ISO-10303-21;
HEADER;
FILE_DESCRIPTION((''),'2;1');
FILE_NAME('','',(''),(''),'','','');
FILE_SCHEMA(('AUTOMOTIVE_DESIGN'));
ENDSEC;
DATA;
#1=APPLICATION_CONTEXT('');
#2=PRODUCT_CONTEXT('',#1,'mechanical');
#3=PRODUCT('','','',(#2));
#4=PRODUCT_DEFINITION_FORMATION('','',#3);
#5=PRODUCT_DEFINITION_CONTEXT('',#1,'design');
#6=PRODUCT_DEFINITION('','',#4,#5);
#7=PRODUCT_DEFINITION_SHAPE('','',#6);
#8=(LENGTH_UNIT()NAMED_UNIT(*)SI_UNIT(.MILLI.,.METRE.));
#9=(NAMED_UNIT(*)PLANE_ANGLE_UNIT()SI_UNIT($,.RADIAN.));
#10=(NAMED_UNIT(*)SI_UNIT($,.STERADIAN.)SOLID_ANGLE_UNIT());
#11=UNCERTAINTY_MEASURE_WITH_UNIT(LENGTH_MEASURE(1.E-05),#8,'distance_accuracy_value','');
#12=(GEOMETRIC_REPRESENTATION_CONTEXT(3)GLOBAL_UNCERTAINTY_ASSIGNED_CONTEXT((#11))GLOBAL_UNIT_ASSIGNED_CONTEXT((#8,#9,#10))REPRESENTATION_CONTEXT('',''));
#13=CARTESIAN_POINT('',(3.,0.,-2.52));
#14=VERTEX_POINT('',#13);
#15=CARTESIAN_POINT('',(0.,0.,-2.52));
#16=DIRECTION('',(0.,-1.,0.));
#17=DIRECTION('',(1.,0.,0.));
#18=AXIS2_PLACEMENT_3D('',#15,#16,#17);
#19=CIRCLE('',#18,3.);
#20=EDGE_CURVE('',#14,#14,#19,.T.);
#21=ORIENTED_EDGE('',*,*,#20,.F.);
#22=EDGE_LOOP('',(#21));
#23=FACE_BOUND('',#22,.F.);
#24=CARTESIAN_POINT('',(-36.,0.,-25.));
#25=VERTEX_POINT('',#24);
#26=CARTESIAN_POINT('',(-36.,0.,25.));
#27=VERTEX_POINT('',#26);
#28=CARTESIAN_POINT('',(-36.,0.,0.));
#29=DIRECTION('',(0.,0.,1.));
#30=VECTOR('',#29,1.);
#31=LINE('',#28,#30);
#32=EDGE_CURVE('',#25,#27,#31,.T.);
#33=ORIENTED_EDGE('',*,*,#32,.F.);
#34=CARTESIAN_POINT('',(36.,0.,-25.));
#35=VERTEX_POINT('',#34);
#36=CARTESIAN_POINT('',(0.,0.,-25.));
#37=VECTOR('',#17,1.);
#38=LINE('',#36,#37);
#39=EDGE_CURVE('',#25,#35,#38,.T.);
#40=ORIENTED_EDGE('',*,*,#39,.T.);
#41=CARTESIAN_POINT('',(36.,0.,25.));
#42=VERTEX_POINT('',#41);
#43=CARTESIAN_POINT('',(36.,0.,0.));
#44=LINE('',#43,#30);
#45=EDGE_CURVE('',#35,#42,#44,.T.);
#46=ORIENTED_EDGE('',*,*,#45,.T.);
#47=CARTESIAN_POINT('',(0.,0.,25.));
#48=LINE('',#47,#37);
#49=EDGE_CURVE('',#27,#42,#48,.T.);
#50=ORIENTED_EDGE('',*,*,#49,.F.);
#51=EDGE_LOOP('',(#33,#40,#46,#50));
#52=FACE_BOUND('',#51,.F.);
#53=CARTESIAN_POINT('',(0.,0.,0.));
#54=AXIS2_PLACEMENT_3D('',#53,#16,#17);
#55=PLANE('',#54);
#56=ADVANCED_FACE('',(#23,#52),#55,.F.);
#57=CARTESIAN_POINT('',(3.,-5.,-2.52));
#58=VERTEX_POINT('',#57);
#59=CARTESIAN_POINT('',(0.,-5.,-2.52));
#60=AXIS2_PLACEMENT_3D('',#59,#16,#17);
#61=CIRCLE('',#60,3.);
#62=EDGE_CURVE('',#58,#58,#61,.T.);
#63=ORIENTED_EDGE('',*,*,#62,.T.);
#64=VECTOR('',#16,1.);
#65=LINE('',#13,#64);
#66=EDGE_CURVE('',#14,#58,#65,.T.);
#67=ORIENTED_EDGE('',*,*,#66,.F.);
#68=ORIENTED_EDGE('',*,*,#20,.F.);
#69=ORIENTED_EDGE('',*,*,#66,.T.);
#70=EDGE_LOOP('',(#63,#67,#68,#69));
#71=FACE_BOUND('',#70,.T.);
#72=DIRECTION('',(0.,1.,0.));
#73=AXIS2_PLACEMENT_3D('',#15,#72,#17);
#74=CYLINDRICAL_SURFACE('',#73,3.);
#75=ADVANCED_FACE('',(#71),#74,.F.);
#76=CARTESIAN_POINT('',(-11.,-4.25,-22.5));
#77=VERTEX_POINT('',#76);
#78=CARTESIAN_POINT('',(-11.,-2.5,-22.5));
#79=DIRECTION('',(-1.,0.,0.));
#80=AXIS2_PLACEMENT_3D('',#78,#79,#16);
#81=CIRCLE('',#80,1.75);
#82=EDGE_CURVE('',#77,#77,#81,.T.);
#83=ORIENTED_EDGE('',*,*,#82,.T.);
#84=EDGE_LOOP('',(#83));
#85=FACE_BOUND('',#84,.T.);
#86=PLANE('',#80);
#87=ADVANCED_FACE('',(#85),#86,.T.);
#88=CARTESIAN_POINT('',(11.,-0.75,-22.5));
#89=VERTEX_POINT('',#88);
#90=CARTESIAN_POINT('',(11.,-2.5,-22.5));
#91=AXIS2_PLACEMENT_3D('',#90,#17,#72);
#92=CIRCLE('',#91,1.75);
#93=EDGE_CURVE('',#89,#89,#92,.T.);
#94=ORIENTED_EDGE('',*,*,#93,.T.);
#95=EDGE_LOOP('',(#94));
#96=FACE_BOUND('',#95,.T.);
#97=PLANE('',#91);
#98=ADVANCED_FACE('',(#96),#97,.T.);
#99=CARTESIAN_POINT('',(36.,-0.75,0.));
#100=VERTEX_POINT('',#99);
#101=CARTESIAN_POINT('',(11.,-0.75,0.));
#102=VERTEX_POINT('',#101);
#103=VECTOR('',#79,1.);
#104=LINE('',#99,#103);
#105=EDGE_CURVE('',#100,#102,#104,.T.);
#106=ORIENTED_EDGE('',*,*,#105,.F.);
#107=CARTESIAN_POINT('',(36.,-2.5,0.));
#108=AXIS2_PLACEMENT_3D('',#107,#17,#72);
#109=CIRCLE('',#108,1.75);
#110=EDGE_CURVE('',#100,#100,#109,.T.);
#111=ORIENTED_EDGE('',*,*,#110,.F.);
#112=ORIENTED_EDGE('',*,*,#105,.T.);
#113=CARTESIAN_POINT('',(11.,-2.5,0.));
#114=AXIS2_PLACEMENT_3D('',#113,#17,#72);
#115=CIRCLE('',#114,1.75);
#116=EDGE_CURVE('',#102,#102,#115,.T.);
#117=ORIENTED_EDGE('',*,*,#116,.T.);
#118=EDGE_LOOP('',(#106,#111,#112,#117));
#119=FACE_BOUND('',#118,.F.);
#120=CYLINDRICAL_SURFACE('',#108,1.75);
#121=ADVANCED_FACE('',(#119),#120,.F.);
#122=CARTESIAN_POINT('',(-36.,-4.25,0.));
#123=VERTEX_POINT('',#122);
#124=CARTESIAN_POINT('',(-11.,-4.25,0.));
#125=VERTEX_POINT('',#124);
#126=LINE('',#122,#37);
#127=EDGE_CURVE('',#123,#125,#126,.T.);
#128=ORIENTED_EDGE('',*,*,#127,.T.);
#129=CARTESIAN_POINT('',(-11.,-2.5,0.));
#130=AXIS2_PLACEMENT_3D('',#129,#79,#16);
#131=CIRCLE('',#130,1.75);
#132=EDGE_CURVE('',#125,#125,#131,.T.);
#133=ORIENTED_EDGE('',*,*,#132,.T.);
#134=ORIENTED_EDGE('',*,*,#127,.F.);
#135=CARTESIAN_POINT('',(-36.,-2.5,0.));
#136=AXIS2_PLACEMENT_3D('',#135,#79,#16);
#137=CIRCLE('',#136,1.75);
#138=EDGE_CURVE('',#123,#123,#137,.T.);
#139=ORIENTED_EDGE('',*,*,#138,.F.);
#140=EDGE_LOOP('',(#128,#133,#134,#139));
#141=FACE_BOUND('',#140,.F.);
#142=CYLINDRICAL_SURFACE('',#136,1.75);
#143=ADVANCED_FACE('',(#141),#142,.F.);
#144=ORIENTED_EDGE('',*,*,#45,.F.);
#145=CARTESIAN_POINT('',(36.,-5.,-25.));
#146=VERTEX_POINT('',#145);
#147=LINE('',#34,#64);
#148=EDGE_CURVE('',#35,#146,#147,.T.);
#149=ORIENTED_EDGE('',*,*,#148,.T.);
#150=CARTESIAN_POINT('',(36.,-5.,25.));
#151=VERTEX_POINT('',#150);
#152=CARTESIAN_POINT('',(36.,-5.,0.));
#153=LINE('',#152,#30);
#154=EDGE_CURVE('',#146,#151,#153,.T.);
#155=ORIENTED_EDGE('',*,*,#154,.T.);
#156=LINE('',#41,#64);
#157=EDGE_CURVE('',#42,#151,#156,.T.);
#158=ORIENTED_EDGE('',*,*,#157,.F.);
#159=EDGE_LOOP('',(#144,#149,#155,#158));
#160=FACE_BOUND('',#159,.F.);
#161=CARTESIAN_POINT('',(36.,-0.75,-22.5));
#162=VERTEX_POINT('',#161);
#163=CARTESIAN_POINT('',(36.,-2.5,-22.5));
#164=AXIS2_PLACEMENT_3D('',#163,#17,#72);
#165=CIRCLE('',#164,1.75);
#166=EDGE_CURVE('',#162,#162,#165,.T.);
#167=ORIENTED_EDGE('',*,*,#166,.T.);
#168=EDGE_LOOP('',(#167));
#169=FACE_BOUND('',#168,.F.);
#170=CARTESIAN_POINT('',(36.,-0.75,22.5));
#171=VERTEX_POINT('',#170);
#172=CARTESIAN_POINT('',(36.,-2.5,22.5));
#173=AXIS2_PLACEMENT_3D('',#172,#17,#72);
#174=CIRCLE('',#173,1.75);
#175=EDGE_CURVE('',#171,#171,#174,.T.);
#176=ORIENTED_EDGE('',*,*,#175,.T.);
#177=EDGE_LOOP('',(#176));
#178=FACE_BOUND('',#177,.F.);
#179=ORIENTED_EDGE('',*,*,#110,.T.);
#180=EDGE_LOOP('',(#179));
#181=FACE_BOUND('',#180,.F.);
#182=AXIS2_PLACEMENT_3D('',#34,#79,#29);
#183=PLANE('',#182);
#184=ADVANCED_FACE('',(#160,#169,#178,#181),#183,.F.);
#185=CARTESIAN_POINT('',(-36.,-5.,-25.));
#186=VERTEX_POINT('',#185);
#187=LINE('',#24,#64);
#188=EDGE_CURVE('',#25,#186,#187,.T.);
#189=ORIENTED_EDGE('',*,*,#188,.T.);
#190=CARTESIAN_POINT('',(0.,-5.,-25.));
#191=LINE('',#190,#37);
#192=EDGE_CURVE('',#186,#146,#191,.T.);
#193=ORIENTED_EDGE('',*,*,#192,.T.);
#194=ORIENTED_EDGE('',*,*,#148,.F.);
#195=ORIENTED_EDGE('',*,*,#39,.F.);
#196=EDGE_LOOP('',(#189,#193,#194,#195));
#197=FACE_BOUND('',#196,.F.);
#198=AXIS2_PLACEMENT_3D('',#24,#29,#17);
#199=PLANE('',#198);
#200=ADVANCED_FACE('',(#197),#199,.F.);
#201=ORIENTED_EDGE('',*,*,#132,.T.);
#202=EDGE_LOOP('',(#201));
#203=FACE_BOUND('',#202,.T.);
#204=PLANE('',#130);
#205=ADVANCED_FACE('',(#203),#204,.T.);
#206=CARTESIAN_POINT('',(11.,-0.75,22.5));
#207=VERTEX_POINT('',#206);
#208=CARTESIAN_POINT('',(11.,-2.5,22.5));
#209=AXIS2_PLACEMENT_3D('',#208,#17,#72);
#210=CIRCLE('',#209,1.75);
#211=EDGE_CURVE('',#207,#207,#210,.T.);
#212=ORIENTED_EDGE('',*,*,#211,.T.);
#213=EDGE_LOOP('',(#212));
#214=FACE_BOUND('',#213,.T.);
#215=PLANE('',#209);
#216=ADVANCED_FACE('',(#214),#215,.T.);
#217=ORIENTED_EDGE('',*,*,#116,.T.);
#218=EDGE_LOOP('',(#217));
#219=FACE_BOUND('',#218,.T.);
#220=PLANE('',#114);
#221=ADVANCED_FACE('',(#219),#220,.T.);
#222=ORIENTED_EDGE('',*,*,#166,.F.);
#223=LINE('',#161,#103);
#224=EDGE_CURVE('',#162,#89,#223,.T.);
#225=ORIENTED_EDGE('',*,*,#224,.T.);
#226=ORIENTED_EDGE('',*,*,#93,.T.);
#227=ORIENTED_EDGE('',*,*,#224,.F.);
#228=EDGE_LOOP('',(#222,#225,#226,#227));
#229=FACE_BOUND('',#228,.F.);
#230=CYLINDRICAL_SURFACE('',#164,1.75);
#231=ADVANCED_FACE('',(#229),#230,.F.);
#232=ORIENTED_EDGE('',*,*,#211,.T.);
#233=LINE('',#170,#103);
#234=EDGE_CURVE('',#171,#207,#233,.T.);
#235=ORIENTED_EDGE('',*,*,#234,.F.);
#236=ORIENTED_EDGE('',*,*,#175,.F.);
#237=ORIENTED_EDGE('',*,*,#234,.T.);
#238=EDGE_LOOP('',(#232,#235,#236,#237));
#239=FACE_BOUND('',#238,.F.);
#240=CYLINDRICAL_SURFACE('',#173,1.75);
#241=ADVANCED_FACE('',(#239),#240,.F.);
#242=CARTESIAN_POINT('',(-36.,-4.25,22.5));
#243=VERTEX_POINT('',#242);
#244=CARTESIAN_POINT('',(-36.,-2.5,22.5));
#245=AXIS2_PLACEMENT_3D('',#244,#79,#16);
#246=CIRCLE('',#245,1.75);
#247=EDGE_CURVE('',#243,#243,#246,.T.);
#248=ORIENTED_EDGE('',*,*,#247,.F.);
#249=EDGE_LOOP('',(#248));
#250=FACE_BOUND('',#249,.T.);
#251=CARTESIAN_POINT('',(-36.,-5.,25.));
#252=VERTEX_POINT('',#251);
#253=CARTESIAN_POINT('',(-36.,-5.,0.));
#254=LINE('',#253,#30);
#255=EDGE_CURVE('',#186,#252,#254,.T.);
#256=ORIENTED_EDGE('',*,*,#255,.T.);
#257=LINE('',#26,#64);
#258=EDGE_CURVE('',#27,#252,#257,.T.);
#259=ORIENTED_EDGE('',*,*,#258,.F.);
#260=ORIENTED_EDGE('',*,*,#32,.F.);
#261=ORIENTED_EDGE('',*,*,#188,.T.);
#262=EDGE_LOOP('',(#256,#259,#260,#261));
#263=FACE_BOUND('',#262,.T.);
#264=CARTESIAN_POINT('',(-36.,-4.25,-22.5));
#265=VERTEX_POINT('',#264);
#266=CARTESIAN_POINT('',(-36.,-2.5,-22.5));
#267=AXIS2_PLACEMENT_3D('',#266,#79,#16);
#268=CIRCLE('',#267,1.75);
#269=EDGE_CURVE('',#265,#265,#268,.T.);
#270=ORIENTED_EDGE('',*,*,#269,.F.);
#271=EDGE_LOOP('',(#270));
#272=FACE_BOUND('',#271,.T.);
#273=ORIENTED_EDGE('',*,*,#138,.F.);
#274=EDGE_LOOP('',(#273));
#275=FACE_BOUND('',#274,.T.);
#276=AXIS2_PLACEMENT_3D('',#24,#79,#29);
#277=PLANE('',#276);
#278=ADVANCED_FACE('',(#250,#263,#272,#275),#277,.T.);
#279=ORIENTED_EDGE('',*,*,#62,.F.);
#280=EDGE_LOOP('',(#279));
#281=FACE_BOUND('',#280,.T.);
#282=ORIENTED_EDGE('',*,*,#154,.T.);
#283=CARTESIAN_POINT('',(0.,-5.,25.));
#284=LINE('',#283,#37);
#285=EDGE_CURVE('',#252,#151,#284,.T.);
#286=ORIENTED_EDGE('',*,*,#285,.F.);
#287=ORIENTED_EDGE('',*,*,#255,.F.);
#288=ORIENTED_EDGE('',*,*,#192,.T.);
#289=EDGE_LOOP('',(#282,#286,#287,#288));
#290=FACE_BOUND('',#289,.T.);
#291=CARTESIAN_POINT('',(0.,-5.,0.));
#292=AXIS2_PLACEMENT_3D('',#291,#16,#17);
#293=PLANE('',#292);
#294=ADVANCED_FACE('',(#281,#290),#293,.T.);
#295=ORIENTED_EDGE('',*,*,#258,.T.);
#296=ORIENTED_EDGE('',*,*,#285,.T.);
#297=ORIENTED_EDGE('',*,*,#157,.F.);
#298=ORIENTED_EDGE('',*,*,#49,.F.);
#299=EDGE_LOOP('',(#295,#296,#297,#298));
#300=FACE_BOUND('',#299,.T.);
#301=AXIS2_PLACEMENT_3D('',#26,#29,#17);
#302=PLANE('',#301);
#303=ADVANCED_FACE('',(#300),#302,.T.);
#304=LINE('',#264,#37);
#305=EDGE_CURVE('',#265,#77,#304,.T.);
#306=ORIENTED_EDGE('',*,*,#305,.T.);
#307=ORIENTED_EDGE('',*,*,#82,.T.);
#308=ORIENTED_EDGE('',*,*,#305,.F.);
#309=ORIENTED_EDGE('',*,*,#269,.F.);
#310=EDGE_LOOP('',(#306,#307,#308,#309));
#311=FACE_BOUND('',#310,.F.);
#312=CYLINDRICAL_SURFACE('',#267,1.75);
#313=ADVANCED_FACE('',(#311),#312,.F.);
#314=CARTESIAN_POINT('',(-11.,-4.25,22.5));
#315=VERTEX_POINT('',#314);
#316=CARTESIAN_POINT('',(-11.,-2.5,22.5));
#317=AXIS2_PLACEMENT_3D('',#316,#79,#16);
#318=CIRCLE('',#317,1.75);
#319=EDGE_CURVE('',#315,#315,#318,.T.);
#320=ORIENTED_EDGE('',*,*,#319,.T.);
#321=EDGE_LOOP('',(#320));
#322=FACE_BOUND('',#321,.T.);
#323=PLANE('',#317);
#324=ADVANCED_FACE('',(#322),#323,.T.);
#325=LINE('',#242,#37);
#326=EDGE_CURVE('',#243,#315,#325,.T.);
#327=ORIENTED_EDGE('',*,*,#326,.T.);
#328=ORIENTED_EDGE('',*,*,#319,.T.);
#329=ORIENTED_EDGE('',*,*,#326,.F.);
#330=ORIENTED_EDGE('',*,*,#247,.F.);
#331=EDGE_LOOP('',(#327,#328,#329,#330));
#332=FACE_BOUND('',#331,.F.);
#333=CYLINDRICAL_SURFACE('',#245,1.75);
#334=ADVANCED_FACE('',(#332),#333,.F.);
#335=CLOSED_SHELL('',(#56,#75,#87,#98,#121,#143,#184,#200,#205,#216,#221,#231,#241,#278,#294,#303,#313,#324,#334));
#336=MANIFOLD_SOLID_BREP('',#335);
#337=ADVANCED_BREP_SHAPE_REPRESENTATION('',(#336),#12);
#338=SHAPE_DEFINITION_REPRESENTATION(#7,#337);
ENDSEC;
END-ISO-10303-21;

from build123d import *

# Parameters (mm, degrees)
F0_W     = 72
F0_H     = 50
F0_R     = 3
F1_DEPTH = 5
F2_R     = 1.75
F3_DEPTH = 25
F4_R     = 1.75
F5_DEPTH = 25


with BuildPart() as f1:
    # F0 (on Front) → F1 (new body)
    with BuildSketch(Plane.XZ):
        Rectangle(F0_W, F0_H)
        with Locations((0, -2.52)):
            Circle(F0_R, mode=Mode.SUBTRACT)
    extrude(amount=F1_DEPTH)

    # F2 (on face) → F3 (cut)
    with BuildSketch(Plane(origin=(-36, 0, 0), x_dir=(0, -1, 0), z_dir=(-1, 0, 0))):
        with Locations((2.5, 22.5)):
            Circle(F2_R)
        with Locations((2.5, -22.5)):
            Circle(F2_R)
        with Locations((2.5, 0)):
            Circle(F2_R)
    extrude(amount=-F3_DEPTH, mode=Mode.SUBTRACT)

    # F4 (on face) → F5 (cut)
    with BuildSketch(Plane.YZ.offset(36)):
        with Locations((-2.5, 0)):
            Circle(F4_R)
        with Locations((-2.5, 22.5)):
            Circle(F4_R)
        with Locations((-2.5, -22.5)):
            Circle(F4_R)
    extrude(amount=-F5_DEPTH, mode=Mode.SUBTRACT)


solid = f1.part
